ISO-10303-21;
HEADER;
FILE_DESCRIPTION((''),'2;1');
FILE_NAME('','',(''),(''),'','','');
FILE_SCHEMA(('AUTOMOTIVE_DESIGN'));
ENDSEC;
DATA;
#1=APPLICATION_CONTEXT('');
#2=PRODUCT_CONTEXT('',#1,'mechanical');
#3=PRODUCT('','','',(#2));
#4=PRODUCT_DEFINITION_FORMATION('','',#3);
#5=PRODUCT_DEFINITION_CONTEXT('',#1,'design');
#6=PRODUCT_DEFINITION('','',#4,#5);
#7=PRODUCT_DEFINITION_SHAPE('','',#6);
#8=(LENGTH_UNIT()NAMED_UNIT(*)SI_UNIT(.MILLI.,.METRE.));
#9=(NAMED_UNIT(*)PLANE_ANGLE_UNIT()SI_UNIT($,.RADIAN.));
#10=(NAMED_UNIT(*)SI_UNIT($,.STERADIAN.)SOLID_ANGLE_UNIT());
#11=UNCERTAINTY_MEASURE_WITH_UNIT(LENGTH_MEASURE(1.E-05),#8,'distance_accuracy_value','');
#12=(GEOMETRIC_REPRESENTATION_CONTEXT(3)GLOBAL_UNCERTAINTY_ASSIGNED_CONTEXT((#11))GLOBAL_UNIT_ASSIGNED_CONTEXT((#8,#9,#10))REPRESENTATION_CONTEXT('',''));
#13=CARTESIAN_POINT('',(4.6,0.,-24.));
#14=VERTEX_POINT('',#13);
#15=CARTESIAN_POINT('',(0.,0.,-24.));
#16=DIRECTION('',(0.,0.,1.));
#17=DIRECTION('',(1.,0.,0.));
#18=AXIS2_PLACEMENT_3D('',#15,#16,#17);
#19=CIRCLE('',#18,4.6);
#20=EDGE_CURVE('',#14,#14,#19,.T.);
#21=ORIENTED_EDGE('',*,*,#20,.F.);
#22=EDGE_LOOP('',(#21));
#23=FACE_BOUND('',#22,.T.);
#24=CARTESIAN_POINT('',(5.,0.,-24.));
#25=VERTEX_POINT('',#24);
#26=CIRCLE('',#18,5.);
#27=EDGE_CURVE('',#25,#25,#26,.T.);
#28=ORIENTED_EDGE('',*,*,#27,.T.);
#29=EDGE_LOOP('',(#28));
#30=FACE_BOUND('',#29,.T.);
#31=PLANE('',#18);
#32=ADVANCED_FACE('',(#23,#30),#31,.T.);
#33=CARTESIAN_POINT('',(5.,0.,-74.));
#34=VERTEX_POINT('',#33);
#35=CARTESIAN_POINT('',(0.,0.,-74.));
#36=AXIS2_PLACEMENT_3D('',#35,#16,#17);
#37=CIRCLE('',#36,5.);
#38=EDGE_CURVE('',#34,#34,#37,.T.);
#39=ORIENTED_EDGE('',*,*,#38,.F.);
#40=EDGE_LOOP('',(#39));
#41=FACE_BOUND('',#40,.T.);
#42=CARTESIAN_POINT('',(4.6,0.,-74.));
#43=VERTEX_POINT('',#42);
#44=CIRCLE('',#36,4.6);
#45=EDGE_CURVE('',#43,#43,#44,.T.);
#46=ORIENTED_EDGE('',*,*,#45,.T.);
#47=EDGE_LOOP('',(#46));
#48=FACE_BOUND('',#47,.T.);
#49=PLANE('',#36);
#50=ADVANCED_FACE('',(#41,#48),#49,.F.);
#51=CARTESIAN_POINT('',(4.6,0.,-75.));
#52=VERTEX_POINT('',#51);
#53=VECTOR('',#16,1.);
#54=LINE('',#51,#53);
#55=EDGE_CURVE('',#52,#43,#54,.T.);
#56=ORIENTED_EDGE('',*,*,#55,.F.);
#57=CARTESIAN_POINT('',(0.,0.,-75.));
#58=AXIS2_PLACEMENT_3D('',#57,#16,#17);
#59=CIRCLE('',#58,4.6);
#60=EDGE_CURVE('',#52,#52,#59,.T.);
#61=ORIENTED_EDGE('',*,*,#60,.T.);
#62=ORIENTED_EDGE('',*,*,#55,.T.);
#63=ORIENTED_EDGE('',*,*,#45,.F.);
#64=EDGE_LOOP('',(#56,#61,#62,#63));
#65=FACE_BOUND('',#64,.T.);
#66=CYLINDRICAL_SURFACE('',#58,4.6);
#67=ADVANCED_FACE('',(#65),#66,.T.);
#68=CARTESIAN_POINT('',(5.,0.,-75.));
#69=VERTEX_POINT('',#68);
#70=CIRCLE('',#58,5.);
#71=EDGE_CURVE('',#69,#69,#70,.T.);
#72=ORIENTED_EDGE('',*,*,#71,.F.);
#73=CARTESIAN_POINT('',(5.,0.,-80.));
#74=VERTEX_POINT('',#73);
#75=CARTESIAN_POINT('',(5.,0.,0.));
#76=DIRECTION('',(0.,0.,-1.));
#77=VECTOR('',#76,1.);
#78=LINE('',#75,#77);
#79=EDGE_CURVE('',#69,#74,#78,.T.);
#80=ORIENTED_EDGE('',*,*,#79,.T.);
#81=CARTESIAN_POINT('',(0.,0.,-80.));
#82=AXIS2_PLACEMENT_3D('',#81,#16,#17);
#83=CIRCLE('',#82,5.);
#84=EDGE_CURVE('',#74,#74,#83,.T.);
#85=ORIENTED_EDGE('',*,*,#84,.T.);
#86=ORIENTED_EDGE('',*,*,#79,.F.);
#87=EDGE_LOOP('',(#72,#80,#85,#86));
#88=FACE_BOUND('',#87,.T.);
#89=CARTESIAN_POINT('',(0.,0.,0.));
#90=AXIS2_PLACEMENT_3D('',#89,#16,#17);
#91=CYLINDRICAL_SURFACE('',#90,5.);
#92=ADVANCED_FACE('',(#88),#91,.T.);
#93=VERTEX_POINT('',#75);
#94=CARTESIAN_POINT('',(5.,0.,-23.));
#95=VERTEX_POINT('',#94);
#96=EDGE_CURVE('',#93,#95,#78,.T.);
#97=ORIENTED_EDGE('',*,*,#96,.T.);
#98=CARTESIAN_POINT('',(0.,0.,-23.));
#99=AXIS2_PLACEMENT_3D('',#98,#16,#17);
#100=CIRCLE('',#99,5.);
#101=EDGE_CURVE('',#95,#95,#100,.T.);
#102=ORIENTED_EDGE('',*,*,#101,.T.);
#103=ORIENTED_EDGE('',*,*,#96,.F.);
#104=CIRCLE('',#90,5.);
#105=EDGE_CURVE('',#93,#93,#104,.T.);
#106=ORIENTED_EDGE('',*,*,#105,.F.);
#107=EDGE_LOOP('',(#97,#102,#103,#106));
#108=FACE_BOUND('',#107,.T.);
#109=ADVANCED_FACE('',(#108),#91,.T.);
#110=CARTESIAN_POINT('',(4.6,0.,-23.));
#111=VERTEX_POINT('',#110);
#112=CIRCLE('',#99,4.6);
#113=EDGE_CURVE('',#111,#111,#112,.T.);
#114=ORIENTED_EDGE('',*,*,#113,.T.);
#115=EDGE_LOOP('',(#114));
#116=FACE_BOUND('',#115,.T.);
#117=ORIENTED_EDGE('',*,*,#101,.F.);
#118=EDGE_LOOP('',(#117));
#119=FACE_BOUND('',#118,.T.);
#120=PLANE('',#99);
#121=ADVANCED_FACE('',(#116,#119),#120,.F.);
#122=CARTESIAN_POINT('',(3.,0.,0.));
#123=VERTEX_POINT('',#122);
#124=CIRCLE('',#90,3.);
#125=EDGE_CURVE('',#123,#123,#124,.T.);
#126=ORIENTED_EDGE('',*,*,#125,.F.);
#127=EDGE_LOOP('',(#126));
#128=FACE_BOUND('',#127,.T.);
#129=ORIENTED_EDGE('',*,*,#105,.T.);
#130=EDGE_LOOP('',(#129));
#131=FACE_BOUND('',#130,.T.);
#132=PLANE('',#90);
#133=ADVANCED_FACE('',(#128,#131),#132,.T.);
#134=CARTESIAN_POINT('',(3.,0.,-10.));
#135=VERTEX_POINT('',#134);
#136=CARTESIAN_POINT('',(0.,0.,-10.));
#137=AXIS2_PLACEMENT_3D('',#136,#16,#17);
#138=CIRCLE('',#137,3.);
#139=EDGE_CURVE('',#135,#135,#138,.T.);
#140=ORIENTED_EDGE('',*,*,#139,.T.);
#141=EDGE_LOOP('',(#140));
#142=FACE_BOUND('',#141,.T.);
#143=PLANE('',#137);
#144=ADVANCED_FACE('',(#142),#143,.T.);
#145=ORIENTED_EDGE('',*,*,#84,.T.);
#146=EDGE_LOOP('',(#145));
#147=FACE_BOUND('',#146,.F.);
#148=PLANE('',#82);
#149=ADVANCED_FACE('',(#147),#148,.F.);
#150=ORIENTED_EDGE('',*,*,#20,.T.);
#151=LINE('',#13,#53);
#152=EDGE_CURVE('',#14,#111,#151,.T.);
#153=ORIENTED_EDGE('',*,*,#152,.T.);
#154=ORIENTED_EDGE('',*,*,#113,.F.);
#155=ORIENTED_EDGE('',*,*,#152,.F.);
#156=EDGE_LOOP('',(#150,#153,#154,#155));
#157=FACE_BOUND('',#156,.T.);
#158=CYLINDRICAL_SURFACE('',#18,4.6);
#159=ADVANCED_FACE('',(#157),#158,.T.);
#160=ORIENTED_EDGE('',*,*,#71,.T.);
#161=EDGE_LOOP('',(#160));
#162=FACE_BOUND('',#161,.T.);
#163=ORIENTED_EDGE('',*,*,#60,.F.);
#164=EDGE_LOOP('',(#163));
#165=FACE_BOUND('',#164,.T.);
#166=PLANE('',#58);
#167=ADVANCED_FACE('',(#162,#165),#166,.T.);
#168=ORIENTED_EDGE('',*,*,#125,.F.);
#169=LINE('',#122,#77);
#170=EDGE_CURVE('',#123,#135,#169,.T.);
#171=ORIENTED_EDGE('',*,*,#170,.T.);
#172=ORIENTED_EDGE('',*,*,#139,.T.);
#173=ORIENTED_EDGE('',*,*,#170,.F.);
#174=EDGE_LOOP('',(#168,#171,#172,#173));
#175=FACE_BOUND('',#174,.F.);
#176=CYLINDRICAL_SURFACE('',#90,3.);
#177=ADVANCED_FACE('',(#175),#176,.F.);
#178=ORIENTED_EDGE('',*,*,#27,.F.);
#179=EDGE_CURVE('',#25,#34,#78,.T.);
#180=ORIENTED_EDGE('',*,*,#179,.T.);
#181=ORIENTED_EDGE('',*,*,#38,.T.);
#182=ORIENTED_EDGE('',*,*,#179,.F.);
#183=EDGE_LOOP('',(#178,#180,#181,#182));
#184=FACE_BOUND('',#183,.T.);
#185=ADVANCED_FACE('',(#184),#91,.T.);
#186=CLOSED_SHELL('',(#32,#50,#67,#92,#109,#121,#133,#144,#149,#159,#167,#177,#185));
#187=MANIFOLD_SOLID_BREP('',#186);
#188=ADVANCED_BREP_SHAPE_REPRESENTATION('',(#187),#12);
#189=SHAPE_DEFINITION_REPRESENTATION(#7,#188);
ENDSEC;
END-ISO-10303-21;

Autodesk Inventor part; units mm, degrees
ref_plane "YZ Plane" through (0, 0, 0) normal (1, 0, 0) x (0, 1, 0)
ref_plane "XZ Plane" through (0, 0, 0) normal (0, 1, 0) x (-1, 0, 0)
ref_plane "XY Plane" through (0, 0, 0) normal (0, 0, 1) x (1, 0, 0)
sketch "Sketch2" plane through (0, 0, 0) normal (0, 0, 1) x (1, 0, 0)
  circle A0 centre (0, 0) radius 5
  dimension "d0" = 10
extrude "Extrusion1" add sketch "Sketch2" against normal blind 80
sketch "Sketch3" plane through (0, 0, 0) normal (0, 1, 0) x (-1, 0, 0)
  line L0 (-5, -80) -> (5, -80) projected
  line L1 (5, 0) -> (-5, 0) projected
  point P0 (0, 0)
sketch "Sketch4" plane through (0, 0, 0) normal (0, 1, 0) x (-1, 0, 0)
  line L0 (-5, 0) -> (-5, -80) projected
  line L1 (-5, -75) -> (-4.6, -75)
  line L2 (-4.6, -75) -> (-4.6, -74)
  line L3 (-4.6, -74) -> (-5, -74)
  line L4 (-5, -74) -> (-5, -75)
  line L5 (-5, -80) -> (5, -80) projected
  line L6 (0, -96) -> (0, 16) projected
  point P0 (0, 0)
  point P1 (-5, -74)
  dimension "d3" = 5
  dimension "d4" = 1
  dimension "d5" = 0.4
revolve "Revolution1" cut sketch "Sketch4" angle 360 about axis through (0, 0, 0) along (0, 0, 1)
sketch "Sketch5" plane through (0, 0, 0) normal (0, 1, 0) x (-1, 0, 0)
  line L0 (-5, 0) -> (-5, -74) projected
  line L1 (-5, -24) -> (-4.6, -24)
  line L2 (-4.6, -24) -> (-4.6, -23)
  line L3 (-4.6, -23) -> (-5, -23)
  line L4 (-5, -23) -> (-5, -24)
  line L5 (5, -74) -> (-5, -74) projected
  line L6 (0, -96) -> (0, 16) projected
  point P0 (0, 0)
  point P1 (-5, -23)
  dimension "d7" = 50
  dimension "d8" = 1
  dimension "d9" = 0.4
revolve "Revolution2" cut sketch "Sketch5" angle 360 about axis through (0, 0, 0) along (0, 0, 1)
sketch "Sketch7" plane through (0, 0, 0) normal (0, 0, 1) x (1, 0, 0)
  circle A0 centre (0, 0) radius 3
  dimension "d11" = 6
extrude "Extrusion2" cut sketch "Sketch7" against normal blind 10
equation "\"BendRadius\" = Thickness"
equation "\"BendReliefWidth\" = Thickness"
equation "\"BendReliefDepth\" = 0.5 * Thickness"
equation "\"CornerReliefSize\" = 4 * Thickness"
equation "\"MinimumRemnant\" = 2 * Thickness"
equation "\"TransitionRadius\" = BendRadius"
equation "\"JacobiRadiusSize\" = BendRadius"
equation "\"GapSize\" = Thickness"
equation "\"Thickness\" = 3.048"
properties part number "Shaft_potentiometer"
